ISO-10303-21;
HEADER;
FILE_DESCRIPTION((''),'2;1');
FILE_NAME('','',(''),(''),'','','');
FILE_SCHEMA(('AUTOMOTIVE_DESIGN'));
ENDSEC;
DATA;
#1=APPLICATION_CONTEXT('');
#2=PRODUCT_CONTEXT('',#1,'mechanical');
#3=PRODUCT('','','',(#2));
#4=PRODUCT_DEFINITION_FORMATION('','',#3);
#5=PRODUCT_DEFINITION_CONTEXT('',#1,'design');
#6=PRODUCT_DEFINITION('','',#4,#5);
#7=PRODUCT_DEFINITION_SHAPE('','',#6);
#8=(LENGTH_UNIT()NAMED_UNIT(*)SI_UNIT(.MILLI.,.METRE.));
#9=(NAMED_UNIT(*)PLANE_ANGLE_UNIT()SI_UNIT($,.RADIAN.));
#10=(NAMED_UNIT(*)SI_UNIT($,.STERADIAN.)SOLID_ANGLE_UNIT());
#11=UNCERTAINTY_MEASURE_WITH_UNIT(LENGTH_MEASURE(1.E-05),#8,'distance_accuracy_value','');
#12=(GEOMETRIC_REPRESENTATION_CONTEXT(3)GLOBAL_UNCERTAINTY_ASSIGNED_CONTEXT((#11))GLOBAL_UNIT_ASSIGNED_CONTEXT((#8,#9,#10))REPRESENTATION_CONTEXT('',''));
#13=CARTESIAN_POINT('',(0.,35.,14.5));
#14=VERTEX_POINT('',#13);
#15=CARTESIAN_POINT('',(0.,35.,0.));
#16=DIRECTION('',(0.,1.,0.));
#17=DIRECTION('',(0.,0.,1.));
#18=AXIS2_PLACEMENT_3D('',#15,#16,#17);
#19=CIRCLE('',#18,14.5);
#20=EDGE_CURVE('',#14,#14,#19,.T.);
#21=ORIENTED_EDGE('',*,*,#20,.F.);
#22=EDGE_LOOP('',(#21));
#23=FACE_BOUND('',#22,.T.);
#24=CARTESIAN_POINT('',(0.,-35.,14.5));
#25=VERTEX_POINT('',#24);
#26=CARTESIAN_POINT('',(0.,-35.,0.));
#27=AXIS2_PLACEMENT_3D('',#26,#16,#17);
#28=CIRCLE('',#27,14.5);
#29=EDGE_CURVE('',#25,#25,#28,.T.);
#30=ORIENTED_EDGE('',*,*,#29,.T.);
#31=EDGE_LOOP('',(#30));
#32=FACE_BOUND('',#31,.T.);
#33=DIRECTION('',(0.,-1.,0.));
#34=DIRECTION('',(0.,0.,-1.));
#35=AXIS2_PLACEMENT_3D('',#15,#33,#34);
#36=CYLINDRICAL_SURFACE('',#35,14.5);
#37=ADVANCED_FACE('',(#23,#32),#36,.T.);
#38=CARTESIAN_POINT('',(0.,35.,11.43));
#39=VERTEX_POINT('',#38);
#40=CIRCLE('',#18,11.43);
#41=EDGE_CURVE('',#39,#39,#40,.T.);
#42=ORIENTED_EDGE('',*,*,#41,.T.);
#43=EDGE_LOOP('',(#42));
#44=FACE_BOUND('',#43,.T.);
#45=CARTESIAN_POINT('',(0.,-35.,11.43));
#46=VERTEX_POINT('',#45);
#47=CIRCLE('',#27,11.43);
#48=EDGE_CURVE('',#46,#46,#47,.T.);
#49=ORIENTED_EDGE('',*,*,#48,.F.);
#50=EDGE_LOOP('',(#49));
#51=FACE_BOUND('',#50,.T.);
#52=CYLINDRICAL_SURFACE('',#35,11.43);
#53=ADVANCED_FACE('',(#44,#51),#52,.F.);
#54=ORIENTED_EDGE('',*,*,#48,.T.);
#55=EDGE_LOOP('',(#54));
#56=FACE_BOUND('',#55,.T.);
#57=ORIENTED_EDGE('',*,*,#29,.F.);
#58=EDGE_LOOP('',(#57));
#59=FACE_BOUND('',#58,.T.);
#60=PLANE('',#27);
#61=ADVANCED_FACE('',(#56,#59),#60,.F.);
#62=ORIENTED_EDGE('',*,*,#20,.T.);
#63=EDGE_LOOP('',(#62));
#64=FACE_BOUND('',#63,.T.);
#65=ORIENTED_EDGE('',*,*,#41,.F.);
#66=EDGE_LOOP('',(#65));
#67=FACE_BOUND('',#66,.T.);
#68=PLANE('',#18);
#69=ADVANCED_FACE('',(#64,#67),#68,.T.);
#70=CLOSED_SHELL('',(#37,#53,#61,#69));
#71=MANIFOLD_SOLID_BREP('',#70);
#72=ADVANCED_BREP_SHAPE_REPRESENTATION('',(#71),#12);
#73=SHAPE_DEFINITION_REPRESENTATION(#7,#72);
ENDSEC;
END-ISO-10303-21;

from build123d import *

# Parameters (mm, degrees)
CROQUIS1_R              = 14.5
CROQUIS1_R_2            = 11.43
SALIENTE_EXTRUIR1_DEPTH = 35


with BuildPart() as part:
    # Croquis1 → Saliente-Extruir1 (new, symmetric)
    with BuildSketch(Plane(origin=(0, 0, 0), x_dir=(1, 0, 0), z_dir=(0, 1, 0))):
        with Locations(Location((0, 0, 0), (0, 0, 270))):
            Circle(CROQUIS1_R)
        with Locations(Location((0, 0, 0), (0, 0, 270))):
            Circle(CROQUIS1_R_2, mode=Mode.SUBTRACT)
    extrude(amount=SALIENTE_EXTRUIR1_DEPTH, both=True)


solid = part.part
